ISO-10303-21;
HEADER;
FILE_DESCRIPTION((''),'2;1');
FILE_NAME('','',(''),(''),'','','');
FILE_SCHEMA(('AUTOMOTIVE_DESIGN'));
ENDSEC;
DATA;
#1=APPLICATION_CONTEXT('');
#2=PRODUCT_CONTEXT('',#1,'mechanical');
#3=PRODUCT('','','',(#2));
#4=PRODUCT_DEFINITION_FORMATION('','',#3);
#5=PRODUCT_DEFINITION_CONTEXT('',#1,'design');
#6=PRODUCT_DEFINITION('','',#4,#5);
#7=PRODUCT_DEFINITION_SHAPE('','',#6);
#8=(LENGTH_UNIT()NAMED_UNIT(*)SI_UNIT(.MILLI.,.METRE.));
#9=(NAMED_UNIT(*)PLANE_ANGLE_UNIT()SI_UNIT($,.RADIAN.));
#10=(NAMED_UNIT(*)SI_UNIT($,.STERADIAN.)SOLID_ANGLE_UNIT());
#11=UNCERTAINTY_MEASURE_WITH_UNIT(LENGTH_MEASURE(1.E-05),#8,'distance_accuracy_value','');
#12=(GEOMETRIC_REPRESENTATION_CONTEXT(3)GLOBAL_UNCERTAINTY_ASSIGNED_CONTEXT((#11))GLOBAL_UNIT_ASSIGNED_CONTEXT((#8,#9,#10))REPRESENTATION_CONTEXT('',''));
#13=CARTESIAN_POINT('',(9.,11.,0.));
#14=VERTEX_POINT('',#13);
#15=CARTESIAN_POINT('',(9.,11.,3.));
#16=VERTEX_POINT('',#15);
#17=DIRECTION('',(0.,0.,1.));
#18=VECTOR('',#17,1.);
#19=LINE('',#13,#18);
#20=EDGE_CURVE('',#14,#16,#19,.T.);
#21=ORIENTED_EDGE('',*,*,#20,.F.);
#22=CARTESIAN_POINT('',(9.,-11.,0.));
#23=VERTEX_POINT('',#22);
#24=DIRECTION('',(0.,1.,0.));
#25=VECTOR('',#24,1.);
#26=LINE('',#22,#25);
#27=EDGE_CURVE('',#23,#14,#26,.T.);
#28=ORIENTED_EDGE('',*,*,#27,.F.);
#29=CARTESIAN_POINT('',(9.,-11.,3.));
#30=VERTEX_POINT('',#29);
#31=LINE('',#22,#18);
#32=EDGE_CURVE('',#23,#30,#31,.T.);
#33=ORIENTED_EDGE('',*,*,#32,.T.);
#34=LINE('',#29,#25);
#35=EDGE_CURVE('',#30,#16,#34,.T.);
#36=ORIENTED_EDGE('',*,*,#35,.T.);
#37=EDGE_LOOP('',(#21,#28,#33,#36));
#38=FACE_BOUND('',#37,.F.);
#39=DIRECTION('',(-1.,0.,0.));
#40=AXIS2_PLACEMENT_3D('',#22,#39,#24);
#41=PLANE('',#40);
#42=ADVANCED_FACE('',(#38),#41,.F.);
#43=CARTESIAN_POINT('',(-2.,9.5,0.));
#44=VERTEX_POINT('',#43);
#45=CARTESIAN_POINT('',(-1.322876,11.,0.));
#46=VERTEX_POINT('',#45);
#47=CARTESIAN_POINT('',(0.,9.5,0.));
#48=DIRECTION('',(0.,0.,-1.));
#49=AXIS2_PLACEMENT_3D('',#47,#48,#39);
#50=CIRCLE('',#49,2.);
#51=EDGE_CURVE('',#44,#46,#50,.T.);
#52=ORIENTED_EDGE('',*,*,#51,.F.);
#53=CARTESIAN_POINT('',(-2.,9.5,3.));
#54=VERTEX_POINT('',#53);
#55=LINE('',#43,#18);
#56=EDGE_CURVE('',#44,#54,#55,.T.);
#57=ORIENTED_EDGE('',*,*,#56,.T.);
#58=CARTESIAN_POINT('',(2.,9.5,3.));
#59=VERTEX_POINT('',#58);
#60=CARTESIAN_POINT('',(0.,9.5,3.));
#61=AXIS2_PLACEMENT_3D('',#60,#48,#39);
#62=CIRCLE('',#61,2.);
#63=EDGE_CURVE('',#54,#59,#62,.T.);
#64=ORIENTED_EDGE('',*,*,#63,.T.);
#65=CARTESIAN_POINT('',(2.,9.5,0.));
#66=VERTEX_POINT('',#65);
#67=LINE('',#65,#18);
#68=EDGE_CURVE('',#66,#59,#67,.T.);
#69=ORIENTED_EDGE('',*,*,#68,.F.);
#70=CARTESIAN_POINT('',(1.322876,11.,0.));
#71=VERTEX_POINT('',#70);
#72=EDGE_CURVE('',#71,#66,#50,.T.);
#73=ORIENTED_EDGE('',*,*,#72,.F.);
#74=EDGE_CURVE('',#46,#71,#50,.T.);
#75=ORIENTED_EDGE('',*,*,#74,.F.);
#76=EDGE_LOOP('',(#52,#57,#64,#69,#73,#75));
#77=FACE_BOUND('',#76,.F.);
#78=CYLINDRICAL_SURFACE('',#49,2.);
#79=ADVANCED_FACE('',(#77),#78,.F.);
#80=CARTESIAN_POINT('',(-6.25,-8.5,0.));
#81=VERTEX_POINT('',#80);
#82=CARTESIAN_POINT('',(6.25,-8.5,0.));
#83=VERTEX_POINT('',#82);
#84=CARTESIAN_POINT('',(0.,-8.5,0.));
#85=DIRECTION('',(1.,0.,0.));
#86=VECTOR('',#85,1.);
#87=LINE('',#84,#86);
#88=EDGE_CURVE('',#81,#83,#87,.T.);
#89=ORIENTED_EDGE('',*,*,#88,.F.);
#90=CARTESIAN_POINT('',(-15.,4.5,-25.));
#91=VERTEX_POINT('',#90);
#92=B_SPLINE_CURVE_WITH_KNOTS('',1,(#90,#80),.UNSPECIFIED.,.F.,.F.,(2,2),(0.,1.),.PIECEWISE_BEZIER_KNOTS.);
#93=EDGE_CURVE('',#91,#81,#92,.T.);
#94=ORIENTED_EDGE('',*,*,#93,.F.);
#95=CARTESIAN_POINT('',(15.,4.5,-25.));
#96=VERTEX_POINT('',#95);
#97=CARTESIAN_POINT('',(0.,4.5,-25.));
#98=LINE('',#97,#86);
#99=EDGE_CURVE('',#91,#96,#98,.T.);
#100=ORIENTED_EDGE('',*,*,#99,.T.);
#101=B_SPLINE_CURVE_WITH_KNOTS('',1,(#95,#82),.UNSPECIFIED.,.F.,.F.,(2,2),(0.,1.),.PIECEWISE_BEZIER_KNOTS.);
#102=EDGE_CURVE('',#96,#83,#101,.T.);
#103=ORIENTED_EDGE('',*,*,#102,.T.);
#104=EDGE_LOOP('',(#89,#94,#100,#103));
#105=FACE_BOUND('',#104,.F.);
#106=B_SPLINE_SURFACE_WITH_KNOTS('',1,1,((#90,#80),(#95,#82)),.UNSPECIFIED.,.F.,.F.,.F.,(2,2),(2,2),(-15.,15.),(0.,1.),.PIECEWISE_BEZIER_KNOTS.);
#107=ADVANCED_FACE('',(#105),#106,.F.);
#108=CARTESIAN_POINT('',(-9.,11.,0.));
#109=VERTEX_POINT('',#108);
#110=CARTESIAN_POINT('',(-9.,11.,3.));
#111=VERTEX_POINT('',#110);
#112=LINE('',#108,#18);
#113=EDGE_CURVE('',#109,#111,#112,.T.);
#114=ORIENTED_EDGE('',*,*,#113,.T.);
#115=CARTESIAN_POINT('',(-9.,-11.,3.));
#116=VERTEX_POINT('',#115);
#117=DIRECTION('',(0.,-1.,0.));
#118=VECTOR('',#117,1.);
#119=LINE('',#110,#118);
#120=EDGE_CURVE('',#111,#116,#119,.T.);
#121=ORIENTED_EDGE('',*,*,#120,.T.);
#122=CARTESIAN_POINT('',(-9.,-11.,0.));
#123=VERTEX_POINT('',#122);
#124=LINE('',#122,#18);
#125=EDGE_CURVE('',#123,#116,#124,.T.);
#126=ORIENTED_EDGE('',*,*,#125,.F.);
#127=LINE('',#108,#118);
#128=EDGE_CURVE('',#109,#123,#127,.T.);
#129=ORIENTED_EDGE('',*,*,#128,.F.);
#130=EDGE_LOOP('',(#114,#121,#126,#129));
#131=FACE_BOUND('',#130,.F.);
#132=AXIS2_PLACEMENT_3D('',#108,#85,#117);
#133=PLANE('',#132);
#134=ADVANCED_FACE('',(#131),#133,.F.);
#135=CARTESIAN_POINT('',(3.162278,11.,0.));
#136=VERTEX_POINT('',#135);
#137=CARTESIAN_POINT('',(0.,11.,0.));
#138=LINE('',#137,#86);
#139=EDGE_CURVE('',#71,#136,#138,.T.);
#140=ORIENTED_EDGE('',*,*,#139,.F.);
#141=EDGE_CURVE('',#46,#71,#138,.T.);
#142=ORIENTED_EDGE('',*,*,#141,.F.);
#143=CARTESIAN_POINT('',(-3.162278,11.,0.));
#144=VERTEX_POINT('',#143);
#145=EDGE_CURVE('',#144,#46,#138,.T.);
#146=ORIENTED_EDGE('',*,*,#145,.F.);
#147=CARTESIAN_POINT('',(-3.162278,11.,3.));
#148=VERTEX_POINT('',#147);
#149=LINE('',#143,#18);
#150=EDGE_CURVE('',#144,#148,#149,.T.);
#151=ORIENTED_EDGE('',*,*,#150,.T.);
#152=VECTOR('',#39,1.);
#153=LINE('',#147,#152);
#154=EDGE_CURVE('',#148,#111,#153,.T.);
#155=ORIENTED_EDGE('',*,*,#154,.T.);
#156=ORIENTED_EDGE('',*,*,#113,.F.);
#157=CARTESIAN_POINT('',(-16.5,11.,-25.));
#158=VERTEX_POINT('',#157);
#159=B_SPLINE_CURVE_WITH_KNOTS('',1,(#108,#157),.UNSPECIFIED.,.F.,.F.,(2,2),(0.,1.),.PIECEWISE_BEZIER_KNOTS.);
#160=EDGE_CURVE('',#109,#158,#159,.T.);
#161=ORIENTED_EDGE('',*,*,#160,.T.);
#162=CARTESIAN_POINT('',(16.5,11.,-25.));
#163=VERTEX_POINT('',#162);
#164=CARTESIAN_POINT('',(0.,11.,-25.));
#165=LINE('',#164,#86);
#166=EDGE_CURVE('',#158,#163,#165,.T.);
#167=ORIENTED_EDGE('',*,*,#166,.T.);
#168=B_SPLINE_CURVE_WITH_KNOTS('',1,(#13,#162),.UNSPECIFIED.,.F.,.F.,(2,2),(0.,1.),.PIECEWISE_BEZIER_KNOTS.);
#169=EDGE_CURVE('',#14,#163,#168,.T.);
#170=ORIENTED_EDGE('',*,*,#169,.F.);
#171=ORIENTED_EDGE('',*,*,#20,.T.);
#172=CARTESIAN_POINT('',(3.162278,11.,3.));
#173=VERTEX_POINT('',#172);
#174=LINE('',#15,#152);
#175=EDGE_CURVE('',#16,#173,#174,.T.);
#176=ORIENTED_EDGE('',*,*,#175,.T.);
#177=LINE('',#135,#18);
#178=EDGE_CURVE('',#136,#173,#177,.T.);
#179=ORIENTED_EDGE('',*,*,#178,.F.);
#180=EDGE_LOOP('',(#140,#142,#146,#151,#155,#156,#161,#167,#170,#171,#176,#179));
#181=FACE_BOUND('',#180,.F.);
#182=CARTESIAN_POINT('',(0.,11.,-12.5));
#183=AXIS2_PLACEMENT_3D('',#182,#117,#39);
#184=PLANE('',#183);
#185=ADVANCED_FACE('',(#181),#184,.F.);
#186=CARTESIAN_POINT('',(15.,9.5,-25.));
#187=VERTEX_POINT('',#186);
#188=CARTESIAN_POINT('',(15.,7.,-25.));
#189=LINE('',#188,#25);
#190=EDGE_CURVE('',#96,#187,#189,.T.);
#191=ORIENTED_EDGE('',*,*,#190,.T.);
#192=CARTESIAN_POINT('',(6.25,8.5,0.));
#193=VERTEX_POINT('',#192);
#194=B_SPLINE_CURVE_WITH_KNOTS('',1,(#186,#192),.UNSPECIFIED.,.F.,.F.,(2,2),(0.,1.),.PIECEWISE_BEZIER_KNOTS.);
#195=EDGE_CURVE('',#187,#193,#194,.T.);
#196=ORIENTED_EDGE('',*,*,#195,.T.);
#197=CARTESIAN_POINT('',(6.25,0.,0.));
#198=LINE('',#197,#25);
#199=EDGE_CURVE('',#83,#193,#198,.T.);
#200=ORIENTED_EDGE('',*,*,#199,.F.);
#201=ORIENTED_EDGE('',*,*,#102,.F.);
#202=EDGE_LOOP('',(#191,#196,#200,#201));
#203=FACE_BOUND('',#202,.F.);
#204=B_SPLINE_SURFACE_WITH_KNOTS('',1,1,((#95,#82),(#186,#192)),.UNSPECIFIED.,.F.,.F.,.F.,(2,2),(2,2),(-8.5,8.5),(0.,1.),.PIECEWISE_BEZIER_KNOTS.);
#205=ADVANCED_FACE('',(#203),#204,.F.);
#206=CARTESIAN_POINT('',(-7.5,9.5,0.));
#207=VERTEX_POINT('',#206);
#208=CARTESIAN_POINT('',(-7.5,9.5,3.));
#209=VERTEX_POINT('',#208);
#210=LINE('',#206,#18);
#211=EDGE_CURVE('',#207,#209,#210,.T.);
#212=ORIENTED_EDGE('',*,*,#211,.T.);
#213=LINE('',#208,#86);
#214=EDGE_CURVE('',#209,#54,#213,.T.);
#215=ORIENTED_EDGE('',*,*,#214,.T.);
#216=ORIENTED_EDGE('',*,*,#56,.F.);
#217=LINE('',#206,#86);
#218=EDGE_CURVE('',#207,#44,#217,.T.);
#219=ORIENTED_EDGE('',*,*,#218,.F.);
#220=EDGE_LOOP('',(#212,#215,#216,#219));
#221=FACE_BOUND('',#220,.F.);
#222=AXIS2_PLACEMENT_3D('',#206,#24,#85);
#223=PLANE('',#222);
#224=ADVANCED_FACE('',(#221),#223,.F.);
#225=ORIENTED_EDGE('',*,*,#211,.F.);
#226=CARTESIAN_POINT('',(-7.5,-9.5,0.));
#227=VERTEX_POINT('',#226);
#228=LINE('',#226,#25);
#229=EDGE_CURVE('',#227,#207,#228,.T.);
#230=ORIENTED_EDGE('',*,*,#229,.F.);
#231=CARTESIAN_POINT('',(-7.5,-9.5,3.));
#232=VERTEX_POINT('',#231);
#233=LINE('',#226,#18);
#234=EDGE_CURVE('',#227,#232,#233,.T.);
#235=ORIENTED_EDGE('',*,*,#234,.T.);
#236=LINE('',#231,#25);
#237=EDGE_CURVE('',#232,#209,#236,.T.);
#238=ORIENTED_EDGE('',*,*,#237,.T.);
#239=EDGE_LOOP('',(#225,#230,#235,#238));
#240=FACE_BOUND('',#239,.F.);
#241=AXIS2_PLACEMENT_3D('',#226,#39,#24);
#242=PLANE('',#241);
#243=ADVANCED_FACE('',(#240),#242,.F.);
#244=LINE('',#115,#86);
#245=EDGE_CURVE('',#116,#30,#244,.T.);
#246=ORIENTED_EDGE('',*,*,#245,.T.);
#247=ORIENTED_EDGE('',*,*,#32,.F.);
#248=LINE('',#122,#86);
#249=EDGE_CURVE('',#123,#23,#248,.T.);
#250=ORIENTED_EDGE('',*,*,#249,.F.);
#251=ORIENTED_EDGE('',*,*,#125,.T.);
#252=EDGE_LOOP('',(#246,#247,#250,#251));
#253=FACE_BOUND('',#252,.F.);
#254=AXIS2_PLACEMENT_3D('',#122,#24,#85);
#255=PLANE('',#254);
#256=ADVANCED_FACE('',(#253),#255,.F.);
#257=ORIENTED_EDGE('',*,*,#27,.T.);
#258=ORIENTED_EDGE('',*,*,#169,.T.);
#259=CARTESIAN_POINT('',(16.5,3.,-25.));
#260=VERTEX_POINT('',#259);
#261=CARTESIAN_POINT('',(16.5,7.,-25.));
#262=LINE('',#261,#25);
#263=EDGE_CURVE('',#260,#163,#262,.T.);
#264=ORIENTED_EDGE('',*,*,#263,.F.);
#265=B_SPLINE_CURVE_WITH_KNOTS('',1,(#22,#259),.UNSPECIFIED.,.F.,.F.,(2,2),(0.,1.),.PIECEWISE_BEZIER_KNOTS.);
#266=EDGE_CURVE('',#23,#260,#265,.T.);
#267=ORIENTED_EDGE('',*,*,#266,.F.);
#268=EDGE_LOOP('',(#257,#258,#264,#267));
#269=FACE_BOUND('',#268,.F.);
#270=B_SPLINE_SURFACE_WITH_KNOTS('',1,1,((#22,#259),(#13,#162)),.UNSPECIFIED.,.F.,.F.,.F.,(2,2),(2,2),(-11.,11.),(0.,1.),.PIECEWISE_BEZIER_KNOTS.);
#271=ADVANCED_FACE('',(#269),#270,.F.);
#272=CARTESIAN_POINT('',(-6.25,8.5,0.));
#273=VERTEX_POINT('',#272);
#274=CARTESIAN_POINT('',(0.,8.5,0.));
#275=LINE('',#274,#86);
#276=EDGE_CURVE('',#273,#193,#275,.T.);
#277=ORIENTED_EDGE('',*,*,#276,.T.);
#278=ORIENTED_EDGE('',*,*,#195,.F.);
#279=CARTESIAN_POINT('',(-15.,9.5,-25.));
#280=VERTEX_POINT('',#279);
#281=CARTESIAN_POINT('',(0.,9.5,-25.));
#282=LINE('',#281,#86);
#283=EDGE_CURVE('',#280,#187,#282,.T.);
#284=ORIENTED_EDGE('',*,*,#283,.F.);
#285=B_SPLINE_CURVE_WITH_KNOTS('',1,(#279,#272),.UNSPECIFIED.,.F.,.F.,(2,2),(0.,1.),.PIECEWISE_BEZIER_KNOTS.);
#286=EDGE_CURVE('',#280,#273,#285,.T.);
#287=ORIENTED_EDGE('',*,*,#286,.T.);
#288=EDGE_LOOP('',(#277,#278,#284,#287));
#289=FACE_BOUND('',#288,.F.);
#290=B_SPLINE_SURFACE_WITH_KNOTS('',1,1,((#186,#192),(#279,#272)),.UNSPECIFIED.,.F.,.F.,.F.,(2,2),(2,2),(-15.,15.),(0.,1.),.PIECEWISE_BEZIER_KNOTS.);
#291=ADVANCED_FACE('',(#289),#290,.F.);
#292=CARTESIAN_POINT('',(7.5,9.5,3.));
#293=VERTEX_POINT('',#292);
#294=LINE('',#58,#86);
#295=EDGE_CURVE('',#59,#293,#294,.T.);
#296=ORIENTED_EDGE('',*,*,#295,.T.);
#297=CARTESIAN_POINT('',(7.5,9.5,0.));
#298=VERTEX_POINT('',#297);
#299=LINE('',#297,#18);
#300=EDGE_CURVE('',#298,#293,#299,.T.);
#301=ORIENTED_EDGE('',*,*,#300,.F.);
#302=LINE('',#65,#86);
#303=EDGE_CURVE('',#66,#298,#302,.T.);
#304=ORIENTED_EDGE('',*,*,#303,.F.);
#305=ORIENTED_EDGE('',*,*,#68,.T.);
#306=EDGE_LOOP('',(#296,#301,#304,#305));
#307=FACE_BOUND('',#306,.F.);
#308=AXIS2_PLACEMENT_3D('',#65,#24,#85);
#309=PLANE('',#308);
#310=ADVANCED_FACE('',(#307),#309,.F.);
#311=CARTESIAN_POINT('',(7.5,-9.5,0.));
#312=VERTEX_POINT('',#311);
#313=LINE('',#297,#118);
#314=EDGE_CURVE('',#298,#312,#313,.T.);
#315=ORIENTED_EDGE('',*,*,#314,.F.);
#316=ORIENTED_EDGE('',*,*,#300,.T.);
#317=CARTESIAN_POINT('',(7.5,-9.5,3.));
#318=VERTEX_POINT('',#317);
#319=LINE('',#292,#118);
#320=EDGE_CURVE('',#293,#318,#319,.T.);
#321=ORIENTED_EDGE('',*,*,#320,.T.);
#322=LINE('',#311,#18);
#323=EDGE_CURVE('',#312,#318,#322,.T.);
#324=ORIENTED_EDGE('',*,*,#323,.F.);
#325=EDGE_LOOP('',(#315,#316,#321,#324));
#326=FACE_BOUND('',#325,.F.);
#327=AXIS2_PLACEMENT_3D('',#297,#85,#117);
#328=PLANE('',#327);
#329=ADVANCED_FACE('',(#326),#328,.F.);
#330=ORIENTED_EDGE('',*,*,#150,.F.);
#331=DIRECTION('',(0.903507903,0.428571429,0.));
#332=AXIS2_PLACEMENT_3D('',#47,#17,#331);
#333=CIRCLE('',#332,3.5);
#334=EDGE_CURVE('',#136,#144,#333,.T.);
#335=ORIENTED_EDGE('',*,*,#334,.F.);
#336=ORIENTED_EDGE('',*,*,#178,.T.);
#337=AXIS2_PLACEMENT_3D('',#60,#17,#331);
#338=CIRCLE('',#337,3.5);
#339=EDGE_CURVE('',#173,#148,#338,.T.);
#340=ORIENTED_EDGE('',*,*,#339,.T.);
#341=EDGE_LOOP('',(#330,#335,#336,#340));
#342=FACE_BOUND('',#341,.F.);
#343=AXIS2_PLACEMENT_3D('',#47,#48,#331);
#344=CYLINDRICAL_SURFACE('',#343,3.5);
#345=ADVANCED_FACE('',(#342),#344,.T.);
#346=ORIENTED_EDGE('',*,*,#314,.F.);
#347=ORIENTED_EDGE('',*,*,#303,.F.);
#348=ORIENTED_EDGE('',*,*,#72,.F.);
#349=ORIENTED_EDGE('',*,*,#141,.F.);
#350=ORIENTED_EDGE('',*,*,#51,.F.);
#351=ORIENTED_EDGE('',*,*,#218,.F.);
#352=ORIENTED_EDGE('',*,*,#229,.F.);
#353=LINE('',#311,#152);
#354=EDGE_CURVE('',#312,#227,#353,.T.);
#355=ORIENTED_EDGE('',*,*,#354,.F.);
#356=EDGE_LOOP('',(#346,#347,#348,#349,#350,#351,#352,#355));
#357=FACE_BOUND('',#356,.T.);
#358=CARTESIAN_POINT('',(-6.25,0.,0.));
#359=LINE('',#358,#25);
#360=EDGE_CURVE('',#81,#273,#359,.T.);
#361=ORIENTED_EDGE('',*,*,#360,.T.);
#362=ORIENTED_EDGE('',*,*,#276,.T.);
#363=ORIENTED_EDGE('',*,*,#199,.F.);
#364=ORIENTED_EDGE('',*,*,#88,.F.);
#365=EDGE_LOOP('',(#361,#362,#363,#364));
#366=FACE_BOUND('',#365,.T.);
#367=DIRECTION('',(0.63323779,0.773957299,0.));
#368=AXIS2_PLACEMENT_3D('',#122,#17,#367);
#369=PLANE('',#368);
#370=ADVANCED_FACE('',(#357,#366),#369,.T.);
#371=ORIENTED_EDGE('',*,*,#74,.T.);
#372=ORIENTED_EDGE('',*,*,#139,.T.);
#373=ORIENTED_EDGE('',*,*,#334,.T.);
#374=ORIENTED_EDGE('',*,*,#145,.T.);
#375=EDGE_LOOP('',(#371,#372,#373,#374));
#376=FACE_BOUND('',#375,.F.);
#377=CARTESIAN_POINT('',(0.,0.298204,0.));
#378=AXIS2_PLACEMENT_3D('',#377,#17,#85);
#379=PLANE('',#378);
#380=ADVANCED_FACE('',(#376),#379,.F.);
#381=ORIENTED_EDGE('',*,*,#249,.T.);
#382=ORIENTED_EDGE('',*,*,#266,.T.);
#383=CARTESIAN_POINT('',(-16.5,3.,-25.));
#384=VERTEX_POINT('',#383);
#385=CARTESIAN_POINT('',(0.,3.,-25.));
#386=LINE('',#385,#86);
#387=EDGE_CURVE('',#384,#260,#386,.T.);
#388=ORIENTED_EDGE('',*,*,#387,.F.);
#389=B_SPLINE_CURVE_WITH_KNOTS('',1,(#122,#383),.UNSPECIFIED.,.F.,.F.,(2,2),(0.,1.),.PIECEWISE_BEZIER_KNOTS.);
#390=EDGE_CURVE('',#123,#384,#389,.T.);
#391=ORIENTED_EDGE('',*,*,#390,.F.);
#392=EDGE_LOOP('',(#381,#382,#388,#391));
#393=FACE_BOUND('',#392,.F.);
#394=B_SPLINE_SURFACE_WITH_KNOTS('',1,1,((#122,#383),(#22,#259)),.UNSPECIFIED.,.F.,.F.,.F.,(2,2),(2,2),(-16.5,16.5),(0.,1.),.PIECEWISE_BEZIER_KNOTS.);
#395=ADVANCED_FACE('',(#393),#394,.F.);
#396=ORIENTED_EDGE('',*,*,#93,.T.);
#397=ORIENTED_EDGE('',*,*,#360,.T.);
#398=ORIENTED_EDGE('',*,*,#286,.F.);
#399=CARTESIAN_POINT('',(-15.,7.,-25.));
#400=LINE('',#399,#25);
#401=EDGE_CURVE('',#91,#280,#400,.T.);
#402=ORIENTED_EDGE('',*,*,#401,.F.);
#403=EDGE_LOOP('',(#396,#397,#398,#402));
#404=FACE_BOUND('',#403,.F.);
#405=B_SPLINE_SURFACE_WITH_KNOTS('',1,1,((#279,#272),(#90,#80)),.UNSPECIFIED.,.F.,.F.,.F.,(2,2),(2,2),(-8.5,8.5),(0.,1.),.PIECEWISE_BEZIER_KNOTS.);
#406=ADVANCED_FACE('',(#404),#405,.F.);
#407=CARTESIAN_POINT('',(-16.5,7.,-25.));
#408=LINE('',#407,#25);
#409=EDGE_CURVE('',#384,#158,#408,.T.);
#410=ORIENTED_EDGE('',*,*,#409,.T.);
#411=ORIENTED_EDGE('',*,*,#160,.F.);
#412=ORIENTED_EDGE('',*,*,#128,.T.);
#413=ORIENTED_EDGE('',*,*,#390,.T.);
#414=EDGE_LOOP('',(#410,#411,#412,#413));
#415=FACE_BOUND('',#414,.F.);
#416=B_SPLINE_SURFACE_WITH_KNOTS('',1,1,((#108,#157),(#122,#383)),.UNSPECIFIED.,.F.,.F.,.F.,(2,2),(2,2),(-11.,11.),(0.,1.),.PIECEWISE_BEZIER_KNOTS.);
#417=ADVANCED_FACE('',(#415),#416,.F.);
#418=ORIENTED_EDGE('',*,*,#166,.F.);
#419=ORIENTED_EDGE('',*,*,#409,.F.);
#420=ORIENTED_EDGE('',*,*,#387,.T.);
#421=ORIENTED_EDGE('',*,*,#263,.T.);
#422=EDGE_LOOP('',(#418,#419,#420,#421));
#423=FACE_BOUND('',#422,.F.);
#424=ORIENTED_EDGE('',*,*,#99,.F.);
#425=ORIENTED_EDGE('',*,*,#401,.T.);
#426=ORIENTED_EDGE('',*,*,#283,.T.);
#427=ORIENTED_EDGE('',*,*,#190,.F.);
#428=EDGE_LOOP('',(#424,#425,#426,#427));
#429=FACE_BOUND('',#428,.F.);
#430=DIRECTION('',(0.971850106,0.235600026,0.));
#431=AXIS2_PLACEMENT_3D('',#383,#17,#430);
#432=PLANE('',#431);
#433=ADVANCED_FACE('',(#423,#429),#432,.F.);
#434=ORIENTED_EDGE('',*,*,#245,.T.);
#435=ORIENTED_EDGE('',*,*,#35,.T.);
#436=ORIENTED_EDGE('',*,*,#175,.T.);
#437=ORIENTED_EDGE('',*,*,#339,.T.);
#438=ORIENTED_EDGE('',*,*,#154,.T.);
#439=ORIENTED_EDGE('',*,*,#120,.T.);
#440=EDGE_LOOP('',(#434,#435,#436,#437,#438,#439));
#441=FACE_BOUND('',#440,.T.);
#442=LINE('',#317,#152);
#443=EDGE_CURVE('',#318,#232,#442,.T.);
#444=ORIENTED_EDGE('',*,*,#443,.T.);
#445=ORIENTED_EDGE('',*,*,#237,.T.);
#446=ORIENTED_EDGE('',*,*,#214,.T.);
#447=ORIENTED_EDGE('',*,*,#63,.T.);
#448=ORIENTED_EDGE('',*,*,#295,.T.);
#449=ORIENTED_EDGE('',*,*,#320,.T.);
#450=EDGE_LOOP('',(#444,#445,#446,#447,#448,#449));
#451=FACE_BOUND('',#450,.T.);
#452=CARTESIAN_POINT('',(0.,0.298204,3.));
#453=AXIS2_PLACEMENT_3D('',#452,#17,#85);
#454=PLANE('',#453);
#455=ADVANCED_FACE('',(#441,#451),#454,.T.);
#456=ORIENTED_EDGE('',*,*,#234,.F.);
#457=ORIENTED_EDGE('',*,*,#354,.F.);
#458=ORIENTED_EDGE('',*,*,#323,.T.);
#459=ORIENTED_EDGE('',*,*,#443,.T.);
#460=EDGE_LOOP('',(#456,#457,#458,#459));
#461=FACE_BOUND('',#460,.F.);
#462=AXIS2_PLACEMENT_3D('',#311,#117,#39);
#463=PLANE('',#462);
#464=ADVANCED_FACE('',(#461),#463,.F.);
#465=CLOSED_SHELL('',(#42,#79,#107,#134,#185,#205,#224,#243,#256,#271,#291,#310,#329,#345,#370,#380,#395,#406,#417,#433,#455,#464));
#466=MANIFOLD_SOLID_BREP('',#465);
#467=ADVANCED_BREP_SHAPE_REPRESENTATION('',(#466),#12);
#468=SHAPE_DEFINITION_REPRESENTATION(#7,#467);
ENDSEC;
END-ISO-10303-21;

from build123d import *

# Parameters (mm, degrees)
F2_DEPTH = 3
F3_W     = 18
F3_H     = 22
F5_W     = 33
F5_H     = 8
F7_W     = 30
F7_H     = 5
F6_W     = 12.5
F6_H     = 17


with BuildPart() as f2:
    # F1 (on Top) → F2 (new body)
    with BuildSketch(Plane.XY):
        with BuildLine():
            Line((-9, -11), (9, -11))
            Line((9, -11), (9, 11))
            Line((9, 11), (3.1622776602, 11))
            ThreePointArc((3.1622776602, 11), (0, 13), (-3.1622776602, 11))
            Line((-3.1622776602, 11), (-9, 11))
            Line((-9, 11), (-9, -11))
        make_face()
        with BuildLine():
            Line((7.5, 9.5), (7.5, -9.5))
            Line((7.5, -9.5), (-7.5, -9.5))
            Line((-7.5, -9.5), (-7.5, 9.5))
            Line((-7.5, 9.5), (-2, 9.5))
            ThreePointArc((-2, 9.5), (0, 11.5), (2, 9.5))
            Line((2, 9.5), (7.5, 9.5))
        make_face(mode=Mode.SUBTRACT)
    extrude(amount=F2_DEPTH)

    # F3 (on Top) → F8 section 0
    with BuildSketch(Plane.XY):
        Rectangle(F3_W, F3_H)
    # F5 (on offset) → F8 section 1
    with BuildSketch(Plane.XY.offset(-25)):
        with Locations((0, 7)):
            Rectangle(F5_W, F5_H)
    loft()

    # F7 (on face) → F9 section 0
    with BuildSketch(Plane.XY.offset(-25)):
        with Locations((0, 7)):
            Rectangle(F7_W, F7_H)
    # F6 (on face) → F9 section 1
    with BuildSketch(Plane.XY):
        Rectangle(F6_W, F6_H)
    loft(mode=Mode.SUBTRACT)


solid = f2.part
